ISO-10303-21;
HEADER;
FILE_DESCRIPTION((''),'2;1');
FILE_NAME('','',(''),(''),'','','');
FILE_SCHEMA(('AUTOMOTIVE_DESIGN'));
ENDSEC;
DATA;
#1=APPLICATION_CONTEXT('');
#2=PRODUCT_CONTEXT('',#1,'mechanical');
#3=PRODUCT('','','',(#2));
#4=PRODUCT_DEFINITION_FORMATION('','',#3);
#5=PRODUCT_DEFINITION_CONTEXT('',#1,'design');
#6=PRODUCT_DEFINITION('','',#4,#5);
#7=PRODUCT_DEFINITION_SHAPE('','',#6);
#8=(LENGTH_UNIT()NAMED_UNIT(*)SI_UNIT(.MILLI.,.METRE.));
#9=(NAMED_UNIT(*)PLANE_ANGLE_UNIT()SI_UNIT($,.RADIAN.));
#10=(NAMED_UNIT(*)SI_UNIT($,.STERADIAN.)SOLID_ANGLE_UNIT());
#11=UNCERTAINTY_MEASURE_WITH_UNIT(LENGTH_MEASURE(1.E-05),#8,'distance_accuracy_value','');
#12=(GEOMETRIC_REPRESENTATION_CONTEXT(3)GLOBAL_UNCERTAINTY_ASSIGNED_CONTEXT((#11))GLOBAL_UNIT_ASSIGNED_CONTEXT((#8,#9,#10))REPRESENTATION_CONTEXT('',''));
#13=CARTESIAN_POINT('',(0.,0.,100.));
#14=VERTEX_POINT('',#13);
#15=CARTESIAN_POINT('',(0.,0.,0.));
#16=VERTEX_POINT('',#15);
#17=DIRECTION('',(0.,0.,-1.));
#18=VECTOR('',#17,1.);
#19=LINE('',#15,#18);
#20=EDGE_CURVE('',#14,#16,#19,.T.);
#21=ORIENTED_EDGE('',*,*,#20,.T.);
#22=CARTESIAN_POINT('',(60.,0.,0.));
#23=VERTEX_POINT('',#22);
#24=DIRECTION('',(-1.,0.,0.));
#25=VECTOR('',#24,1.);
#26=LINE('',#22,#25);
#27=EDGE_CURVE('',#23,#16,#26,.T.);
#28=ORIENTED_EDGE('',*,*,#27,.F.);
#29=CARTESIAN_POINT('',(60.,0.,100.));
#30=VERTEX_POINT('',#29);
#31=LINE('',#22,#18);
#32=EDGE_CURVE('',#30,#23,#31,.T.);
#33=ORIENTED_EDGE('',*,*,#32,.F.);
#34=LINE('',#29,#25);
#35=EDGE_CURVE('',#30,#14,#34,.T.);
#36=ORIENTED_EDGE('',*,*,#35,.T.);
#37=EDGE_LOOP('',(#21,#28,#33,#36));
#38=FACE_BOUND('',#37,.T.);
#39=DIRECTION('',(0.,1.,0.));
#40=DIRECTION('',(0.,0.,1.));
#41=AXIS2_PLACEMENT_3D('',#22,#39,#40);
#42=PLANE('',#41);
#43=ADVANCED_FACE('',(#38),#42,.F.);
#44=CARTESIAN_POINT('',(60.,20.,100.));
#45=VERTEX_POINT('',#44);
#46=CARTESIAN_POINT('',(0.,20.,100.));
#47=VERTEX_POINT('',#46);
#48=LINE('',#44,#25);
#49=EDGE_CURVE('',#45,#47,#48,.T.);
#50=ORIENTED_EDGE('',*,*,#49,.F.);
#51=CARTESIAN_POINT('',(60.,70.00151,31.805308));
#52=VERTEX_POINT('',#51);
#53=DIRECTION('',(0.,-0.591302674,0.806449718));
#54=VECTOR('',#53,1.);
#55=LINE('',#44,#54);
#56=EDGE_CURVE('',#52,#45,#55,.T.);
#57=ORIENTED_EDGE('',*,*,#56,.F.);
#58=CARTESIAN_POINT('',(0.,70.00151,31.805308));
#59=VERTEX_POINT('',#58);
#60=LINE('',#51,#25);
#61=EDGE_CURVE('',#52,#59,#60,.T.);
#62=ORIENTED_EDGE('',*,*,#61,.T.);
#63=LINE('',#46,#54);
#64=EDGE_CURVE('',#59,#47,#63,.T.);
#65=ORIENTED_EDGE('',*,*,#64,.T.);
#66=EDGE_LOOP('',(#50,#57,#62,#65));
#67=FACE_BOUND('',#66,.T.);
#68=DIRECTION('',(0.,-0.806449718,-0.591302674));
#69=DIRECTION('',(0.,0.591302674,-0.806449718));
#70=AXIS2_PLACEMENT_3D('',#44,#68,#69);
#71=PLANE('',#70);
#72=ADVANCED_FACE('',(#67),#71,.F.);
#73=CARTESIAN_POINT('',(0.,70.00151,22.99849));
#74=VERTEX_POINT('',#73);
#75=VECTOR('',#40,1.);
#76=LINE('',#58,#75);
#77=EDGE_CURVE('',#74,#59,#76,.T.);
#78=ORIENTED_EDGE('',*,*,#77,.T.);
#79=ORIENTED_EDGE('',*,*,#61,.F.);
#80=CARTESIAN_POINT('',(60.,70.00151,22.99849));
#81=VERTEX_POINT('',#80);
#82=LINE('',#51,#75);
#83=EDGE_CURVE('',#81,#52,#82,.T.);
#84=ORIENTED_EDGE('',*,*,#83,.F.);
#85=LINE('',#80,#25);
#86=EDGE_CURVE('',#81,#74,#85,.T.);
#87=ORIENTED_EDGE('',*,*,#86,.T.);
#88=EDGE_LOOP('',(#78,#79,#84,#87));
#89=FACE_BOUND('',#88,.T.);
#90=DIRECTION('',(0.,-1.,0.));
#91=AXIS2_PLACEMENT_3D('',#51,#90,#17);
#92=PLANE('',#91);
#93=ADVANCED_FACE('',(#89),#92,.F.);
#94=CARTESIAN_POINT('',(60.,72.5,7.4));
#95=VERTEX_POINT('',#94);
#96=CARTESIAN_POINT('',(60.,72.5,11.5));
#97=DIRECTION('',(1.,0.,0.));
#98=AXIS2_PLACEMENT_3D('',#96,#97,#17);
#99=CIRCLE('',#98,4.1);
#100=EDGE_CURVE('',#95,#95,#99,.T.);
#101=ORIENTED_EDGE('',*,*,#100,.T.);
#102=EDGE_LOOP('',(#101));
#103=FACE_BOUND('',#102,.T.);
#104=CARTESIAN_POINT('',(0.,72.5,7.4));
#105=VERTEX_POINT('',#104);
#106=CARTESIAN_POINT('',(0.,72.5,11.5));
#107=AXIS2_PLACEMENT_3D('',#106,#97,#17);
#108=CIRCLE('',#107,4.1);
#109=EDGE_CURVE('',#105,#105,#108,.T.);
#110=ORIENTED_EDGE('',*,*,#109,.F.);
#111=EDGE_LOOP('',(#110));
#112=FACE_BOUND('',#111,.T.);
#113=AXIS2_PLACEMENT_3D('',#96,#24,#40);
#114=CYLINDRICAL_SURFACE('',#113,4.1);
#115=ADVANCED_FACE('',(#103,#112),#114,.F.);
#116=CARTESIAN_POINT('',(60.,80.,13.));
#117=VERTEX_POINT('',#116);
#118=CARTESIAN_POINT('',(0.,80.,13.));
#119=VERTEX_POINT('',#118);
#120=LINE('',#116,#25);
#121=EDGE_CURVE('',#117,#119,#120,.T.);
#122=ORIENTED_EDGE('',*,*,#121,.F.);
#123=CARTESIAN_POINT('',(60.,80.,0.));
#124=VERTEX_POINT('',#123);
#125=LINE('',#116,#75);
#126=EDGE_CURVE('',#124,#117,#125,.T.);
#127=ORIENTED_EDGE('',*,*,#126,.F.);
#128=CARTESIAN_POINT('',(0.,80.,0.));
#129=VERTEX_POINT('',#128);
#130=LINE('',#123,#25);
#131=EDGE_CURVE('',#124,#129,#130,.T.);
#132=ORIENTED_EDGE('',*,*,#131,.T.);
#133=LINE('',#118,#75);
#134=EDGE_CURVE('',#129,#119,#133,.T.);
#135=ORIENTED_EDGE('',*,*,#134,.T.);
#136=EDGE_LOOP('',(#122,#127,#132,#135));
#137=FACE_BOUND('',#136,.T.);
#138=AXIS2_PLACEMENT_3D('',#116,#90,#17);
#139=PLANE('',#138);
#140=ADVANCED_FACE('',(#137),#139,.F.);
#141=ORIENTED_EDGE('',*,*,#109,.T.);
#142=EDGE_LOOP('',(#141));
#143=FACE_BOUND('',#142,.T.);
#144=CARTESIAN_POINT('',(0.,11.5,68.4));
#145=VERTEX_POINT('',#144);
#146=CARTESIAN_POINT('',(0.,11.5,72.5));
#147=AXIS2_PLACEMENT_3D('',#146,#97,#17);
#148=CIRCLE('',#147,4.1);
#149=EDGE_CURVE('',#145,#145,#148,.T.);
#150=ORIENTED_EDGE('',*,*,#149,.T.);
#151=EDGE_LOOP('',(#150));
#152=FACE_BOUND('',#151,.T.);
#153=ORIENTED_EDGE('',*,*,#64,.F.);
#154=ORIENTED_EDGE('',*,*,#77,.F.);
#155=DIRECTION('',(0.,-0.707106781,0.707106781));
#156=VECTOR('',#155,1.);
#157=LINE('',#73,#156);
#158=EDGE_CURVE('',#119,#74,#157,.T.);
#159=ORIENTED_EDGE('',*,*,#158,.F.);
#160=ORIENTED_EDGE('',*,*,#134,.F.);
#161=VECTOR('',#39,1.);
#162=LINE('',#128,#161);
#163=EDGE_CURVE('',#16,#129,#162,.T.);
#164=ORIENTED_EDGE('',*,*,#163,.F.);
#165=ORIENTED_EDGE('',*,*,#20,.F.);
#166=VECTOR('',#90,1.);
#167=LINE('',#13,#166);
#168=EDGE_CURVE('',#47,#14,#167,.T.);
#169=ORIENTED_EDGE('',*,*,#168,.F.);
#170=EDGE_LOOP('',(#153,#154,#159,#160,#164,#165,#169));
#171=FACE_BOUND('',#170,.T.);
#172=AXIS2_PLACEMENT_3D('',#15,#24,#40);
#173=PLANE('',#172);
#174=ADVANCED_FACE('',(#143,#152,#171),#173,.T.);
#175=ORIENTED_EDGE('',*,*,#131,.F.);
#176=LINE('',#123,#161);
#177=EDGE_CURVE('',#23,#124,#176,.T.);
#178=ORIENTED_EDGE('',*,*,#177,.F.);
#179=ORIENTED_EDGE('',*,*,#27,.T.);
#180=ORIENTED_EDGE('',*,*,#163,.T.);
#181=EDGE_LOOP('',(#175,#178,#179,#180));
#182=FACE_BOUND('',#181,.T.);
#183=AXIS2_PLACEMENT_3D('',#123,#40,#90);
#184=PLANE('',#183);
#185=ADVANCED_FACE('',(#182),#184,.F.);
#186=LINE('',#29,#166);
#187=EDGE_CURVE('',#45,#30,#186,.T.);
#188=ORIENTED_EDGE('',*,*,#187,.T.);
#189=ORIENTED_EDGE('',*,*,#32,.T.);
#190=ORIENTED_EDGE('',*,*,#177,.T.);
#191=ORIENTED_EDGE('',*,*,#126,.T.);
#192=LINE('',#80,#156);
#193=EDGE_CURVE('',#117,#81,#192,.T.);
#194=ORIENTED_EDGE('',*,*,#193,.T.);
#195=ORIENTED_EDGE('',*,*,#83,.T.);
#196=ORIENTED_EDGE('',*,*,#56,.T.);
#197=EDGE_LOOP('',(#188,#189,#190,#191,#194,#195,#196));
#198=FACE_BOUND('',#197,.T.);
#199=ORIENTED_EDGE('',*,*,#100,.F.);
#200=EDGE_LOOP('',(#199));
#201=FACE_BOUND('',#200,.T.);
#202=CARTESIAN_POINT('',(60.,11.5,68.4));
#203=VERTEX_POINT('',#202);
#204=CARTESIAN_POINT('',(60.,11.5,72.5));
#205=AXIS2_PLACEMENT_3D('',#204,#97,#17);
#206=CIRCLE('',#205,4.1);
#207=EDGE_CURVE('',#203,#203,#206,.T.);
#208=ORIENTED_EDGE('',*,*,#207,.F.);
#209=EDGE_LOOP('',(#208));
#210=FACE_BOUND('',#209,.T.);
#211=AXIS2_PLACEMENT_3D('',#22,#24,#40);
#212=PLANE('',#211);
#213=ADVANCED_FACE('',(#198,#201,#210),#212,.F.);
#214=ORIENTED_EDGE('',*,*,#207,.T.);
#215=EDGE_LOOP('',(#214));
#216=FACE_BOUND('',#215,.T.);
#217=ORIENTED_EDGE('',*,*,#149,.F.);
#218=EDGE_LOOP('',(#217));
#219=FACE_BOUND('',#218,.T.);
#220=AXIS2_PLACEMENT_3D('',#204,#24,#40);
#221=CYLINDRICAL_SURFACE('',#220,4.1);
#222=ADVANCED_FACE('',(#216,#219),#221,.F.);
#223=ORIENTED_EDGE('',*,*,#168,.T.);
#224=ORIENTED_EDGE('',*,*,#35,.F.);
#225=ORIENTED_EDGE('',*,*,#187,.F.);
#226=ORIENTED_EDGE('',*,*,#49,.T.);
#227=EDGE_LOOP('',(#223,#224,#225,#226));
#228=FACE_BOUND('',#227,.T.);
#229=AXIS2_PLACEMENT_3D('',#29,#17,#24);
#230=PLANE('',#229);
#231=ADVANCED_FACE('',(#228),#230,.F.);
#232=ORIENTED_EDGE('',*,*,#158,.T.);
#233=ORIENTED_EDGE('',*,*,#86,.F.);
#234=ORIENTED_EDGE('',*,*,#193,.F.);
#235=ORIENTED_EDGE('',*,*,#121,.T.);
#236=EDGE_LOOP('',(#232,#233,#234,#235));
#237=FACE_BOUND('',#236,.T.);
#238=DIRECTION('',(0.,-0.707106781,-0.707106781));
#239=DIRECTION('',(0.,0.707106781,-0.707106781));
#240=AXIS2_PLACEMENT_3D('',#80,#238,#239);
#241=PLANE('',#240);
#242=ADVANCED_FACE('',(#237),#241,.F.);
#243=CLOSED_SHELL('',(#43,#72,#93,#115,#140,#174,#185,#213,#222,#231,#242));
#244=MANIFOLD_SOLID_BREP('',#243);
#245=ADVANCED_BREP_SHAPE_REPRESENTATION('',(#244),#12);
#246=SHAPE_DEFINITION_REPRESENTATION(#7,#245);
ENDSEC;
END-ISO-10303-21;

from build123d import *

# Parameters (mm, degrees)
SKETCH1_R           = 4.1
BOSS_EXTRUDE1_DEPTH = 60


with BuildPart() as part:
    # Sketch1 → Boss-Extrude1 (new body)
    with BuildSketch(Plane(origin=(0, 0, 0), x_dir=(0, 0, -1), z_dir=(1, 0, 0))):
        Polygon((0, 0), (-100, 0), (-100, 20), (-31.805308068, 70.001510114), (-22.998489886, 70.001510114), (-13, 80), (0, 80), align=None)
        with Locations((-11.5, 72.5)):
            Circle(SKETCH1_R, mode=Mode.SUBTRACT)
        with Locations((-72.5, 11.5)):
            Circle(SKETCH1_R, mode=Mode.SUBTRACT)
    extrude(amount=BOSS_EXTRUDE1_DEPTH)


solid = part.part
